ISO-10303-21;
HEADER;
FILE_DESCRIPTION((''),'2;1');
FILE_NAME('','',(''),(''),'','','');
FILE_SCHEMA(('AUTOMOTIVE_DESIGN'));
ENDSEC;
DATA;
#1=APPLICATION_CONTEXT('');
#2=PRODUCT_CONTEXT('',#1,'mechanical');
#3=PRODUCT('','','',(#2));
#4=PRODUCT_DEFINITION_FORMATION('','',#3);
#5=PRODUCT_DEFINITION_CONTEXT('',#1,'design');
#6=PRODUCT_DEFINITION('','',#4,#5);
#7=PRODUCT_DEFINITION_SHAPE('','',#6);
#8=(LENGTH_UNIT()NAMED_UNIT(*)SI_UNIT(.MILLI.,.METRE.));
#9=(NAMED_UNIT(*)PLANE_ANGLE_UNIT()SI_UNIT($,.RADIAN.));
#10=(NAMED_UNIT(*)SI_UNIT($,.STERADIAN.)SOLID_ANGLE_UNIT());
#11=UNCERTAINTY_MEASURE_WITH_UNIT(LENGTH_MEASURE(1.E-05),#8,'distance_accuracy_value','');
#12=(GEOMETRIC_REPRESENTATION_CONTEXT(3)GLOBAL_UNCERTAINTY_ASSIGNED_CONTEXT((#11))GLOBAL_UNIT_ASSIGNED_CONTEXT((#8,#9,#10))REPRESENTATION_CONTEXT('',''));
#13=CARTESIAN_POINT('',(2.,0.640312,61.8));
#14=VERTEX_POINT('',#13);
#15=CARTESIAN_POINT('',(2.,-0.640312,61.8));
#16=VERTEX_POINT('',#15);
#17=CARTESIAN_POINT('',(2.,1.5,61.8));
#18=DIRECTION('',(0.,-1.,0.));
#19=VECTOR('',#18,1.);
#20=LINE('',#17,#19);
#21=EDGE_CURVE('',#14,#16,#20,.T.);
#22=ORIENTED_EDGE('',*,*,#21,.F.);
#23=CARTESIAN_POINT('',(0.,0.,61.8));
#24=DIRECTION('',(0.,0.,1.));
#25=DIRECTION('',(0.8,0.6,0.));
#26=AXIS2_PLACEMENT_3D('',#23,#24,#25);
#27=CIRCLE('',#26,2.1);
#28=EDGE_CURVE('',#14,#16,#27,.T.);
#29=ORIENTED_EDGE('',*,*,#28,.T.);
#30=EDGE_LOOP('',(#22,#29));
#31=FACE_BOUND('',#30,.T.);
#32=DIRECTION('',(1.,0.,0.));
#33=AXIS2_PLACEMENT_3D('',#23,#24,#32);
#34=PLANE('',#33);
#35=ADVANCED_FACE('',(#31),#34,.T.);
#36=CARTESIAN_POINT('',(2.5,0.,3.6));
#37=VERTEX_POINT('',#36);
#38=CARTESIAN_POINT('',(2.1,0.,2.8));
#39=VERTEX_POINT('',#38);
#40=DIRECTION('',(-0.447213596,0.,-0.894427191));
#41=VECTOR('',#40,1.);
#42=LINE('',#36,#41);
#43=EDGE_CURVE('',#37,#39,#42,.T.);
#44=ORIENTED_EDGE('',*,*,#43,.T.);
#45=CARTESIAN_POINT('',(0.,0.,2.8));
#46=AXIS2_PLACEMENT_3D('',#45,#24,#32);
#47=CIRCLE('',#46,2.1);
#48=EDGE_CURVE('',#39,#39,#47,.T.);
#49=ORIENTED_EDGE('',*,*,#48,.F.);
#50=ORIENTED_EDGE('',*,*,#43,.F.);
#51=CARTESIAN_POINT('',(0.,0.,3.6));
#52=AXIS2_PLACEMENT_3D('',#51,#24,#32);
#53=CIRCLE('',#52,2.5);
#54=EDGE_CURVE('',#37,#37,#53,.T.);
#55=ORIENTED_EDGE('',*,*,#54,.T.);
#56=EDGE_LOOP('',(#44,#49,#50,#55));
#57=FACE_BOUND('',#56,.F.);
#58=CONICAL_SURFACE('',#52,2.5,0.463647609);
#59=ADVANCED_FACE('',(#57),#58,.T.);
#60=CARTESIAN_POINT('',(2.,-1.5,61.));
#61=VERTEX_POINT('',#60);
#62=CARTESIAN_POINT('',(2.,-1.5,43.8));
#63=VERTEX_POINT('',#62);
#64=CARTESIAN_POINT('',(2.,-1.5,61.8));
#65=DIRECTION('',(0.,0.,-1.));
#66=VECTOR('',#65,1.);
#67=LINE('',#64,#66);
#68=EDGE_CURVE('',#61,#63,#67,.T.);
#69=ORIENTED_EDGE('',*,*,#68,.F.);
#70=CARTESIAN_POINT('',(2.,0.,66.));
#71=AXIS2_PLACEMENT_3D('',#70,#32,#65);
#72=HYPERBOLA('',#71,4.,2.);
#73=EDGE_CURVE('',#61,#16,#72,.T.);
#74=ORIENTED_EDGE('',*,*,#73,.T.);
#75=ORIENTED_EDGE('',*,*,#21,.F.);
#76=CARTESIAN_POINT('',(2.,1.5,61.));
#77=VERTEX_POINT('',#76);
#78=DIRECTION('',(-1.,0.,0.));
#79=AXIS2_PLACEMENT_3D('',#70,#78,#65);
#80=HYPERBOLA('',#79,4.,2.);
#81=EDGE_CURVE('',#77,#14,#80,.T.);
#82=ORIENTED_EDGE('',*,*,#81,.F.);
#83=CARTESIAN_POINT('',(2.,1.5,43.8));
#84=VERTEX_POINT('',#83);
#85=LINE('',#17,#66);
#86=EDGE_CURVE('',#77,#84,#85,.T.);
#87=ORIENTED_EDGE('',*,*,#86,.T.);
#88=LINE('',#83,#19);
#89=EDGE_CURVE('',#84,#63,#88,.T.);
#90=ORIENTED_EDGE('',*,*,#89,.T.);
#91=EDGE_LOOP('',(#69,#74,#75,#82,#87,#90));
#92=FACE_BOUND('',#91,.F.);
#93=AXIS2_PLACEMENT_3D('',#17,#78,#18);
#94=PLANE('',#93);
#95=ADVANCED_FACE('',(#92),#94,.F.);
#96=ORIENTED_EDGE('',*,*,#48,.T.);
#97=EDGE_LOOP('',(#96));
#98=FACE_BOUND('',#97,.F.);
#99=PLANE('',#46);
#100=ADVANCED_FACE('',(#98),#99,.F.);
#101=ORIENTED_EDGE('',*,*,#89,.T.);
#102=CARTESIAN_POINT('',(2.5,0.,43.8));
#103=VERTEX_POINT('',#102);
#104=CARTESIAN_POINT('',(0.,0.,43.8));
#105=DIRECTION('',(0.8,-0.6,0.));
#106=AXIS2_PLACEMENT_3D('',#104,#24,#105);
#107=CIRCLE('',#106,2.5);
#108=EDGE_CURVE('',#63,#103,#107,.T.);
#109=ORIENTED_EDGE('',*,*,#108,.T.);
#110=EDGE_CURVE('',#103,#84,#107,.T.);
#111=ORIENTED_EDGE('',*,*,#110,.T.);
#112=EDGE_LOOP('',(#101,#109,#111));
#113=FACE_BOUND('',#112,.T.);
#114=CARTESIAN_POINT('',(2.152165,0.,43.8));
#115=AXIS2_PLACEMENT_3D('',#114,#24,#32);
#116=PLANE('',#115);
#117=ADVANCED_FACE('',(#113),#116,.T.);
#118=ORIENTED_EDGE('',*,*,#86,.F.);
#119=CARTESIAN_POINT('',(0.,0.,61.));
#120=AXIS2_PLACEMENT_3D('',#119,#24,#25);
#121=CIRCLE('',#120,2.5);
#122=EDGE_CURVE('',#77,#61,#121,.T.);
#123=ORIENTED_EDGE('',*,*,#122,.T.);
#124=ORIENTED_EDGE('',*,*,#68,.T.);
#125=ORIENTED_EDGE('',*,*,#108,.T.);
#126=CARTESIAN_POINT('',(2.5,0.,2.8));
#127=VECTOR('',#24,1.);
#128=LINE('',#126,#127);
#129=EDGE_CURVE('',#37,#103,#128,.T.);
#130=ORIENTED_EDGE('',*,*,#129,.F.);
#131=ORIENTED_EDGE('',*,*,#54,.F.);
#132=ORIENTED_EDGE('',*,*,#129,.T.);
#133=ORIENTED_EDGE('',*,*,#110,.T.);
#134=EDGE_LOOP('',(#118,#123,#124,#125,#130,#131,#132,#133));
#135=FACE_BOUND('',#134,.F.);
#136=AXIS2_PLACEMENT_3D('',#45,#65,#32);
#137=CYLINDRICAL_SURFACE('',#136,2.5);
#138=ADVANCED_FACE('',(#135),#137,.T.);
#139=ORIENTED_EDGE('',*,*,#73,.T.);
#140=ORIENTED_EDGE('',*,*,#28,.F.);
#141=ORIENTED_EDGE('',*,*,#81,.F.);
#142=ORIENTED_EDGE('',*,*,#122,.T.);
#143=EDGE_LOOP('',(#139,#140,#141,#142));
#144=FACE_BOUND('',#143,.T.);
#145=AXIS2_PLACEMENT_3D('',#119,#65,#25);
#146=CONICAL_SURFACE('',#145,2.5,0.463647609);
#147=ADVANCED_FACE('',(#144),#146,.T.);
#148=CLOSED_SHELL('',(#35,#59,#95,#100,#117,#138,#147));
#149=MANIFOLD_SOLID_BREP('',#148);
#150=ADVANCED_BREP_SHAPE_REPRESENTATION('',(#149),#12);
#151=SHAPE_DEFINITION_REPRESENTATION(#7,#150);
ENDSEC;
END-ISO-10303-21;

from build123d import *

# Parameters (mm, degrees)
SKETCH012_R      = 2.5
PAD006_DEPTH     = 59
POCKET003_DEPTH  = 18
CHAMFER002_SIZE2 = 0.4
CHAMFER002_SIZE  = 0.8


with BuildPart() as part:
    # Sketch012 → Pad006 (new body)
    with BuildSketch(Plane.XY):
        Circle(SKETCH012_R)
    extrude(amount=PAD006_DEPTH)

    # Sketch013 (on Face3 of Pad006) → Pocket003 (cut)
    with BuildSketch(Plane.XY.offset(59)):
        with BuildLine():
            ThreePointArc((2, -1.5), (2.5, 0), (2, 1.5))
            Line((2, 1.5), (2, -1.5))
        make_face()
    extrude(amount=-POCKET003_DEPTH, mode=Mode.SUBTRACT)

    # Chamfer002
    chamfer002_edges = [part.edges().sort_by_distance(p)[0] for p in [
        (-2.5, 0, 59),
        (-2.5, 0, 0),
    ]]
    chamfer002_side = part.faces().sort_by_distance((-2.5, 0, 29.5))[0]
    chamfer(chamfer002_edges, length=CHAMFER002_SIZE, length2=CHAMFER002_SIZE2, reference=chamfer002_side)


with BuildPart() as part_1:
    # Body003 placement: moved
    add(part.part.moved(Location((0, 0, 2.8))))


solid = part_1.part
